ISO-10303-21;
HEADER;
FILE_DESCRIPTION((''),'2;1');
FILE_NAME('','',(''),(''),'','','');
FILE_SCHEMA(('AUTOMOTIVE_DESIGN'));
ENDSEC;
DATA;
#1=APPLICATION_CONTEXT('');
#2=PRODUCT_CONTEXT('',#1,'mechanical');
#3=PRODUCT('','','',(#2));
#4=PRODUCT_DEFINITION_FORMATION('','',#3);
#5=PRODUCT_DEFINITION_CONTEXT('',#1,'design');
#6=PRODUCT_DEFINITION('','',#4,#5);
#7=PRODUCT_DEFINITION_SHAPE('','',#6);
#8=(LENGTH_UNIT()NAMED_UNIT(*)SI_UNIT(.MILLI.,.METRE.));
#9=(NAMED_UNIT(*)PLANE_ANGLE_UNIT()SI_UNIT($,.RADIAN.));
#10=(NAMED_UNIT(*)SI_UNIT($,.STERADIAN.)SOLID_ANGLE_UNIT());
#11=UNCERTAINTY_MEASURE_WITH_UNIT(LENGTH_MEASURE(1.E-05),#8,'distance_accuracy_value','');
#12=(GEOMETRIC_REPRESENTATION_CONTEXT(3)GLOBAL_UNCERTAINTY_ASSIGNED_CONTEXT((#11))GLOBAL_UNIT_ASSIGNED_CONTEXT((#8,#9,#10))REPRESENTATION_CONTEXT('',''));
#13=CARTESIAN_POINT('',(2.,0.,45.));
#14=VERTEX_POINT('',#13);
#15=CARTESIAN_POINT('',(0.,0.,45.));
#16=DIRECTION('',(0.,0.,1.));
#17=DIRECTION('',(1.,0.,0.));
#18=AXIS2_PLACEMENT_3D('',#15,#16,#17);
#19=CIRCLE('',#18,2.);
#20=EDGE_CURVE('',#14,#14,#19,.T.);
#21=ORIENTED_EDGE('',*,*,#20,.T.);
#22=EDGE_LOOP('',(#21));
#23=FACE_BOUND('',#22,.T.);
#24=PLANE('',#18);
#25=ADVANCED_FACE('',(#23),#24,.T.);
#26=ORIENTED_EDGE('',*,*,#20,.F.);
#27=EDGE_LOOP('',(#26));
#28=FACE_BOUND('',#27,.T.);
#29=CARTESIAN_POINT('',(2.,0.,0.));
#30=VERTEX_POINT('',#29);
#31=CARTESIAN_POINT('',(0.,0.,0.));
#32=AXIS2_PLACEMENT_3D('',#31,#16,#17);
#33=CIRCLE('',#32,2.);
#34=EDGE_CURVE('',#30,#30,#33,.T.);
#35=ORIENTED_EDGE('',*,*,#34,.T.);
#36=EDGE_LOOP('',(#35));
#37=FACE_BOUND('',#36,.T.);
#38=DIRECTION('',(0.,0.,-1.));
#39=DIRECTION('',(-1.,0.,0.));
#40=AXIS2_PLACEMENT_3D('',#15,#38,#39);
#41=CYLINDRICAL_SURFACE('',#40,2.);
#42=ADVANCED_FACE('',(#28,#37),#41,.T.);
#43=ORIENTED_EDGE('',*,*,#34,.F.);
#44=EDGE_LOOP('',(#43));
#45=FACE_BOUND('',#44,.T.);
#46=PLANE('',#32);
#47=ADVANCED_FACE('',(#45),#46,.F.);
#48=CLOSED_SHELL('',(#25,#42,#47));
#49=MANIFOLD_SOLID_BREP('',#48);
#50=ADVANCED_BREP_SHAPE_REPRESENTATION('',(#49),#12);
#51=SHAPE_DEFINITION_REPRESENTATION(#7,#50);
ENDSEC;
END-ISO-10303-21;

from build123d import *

# Parameters (mm, degrees)
SKETCH1_R           = 2
BOSS_EXTRUDE1_DEPTH = 45


with BuildPart() as part:
    # Sketch1 → Boss-Extrude1 (new body)
    with BuildSketch(Plane.XY):
        Circle(SKETCH1_R)
    extrude(amount=BOSS_EXTRUDE1_DEPTH)


solid = part.part
